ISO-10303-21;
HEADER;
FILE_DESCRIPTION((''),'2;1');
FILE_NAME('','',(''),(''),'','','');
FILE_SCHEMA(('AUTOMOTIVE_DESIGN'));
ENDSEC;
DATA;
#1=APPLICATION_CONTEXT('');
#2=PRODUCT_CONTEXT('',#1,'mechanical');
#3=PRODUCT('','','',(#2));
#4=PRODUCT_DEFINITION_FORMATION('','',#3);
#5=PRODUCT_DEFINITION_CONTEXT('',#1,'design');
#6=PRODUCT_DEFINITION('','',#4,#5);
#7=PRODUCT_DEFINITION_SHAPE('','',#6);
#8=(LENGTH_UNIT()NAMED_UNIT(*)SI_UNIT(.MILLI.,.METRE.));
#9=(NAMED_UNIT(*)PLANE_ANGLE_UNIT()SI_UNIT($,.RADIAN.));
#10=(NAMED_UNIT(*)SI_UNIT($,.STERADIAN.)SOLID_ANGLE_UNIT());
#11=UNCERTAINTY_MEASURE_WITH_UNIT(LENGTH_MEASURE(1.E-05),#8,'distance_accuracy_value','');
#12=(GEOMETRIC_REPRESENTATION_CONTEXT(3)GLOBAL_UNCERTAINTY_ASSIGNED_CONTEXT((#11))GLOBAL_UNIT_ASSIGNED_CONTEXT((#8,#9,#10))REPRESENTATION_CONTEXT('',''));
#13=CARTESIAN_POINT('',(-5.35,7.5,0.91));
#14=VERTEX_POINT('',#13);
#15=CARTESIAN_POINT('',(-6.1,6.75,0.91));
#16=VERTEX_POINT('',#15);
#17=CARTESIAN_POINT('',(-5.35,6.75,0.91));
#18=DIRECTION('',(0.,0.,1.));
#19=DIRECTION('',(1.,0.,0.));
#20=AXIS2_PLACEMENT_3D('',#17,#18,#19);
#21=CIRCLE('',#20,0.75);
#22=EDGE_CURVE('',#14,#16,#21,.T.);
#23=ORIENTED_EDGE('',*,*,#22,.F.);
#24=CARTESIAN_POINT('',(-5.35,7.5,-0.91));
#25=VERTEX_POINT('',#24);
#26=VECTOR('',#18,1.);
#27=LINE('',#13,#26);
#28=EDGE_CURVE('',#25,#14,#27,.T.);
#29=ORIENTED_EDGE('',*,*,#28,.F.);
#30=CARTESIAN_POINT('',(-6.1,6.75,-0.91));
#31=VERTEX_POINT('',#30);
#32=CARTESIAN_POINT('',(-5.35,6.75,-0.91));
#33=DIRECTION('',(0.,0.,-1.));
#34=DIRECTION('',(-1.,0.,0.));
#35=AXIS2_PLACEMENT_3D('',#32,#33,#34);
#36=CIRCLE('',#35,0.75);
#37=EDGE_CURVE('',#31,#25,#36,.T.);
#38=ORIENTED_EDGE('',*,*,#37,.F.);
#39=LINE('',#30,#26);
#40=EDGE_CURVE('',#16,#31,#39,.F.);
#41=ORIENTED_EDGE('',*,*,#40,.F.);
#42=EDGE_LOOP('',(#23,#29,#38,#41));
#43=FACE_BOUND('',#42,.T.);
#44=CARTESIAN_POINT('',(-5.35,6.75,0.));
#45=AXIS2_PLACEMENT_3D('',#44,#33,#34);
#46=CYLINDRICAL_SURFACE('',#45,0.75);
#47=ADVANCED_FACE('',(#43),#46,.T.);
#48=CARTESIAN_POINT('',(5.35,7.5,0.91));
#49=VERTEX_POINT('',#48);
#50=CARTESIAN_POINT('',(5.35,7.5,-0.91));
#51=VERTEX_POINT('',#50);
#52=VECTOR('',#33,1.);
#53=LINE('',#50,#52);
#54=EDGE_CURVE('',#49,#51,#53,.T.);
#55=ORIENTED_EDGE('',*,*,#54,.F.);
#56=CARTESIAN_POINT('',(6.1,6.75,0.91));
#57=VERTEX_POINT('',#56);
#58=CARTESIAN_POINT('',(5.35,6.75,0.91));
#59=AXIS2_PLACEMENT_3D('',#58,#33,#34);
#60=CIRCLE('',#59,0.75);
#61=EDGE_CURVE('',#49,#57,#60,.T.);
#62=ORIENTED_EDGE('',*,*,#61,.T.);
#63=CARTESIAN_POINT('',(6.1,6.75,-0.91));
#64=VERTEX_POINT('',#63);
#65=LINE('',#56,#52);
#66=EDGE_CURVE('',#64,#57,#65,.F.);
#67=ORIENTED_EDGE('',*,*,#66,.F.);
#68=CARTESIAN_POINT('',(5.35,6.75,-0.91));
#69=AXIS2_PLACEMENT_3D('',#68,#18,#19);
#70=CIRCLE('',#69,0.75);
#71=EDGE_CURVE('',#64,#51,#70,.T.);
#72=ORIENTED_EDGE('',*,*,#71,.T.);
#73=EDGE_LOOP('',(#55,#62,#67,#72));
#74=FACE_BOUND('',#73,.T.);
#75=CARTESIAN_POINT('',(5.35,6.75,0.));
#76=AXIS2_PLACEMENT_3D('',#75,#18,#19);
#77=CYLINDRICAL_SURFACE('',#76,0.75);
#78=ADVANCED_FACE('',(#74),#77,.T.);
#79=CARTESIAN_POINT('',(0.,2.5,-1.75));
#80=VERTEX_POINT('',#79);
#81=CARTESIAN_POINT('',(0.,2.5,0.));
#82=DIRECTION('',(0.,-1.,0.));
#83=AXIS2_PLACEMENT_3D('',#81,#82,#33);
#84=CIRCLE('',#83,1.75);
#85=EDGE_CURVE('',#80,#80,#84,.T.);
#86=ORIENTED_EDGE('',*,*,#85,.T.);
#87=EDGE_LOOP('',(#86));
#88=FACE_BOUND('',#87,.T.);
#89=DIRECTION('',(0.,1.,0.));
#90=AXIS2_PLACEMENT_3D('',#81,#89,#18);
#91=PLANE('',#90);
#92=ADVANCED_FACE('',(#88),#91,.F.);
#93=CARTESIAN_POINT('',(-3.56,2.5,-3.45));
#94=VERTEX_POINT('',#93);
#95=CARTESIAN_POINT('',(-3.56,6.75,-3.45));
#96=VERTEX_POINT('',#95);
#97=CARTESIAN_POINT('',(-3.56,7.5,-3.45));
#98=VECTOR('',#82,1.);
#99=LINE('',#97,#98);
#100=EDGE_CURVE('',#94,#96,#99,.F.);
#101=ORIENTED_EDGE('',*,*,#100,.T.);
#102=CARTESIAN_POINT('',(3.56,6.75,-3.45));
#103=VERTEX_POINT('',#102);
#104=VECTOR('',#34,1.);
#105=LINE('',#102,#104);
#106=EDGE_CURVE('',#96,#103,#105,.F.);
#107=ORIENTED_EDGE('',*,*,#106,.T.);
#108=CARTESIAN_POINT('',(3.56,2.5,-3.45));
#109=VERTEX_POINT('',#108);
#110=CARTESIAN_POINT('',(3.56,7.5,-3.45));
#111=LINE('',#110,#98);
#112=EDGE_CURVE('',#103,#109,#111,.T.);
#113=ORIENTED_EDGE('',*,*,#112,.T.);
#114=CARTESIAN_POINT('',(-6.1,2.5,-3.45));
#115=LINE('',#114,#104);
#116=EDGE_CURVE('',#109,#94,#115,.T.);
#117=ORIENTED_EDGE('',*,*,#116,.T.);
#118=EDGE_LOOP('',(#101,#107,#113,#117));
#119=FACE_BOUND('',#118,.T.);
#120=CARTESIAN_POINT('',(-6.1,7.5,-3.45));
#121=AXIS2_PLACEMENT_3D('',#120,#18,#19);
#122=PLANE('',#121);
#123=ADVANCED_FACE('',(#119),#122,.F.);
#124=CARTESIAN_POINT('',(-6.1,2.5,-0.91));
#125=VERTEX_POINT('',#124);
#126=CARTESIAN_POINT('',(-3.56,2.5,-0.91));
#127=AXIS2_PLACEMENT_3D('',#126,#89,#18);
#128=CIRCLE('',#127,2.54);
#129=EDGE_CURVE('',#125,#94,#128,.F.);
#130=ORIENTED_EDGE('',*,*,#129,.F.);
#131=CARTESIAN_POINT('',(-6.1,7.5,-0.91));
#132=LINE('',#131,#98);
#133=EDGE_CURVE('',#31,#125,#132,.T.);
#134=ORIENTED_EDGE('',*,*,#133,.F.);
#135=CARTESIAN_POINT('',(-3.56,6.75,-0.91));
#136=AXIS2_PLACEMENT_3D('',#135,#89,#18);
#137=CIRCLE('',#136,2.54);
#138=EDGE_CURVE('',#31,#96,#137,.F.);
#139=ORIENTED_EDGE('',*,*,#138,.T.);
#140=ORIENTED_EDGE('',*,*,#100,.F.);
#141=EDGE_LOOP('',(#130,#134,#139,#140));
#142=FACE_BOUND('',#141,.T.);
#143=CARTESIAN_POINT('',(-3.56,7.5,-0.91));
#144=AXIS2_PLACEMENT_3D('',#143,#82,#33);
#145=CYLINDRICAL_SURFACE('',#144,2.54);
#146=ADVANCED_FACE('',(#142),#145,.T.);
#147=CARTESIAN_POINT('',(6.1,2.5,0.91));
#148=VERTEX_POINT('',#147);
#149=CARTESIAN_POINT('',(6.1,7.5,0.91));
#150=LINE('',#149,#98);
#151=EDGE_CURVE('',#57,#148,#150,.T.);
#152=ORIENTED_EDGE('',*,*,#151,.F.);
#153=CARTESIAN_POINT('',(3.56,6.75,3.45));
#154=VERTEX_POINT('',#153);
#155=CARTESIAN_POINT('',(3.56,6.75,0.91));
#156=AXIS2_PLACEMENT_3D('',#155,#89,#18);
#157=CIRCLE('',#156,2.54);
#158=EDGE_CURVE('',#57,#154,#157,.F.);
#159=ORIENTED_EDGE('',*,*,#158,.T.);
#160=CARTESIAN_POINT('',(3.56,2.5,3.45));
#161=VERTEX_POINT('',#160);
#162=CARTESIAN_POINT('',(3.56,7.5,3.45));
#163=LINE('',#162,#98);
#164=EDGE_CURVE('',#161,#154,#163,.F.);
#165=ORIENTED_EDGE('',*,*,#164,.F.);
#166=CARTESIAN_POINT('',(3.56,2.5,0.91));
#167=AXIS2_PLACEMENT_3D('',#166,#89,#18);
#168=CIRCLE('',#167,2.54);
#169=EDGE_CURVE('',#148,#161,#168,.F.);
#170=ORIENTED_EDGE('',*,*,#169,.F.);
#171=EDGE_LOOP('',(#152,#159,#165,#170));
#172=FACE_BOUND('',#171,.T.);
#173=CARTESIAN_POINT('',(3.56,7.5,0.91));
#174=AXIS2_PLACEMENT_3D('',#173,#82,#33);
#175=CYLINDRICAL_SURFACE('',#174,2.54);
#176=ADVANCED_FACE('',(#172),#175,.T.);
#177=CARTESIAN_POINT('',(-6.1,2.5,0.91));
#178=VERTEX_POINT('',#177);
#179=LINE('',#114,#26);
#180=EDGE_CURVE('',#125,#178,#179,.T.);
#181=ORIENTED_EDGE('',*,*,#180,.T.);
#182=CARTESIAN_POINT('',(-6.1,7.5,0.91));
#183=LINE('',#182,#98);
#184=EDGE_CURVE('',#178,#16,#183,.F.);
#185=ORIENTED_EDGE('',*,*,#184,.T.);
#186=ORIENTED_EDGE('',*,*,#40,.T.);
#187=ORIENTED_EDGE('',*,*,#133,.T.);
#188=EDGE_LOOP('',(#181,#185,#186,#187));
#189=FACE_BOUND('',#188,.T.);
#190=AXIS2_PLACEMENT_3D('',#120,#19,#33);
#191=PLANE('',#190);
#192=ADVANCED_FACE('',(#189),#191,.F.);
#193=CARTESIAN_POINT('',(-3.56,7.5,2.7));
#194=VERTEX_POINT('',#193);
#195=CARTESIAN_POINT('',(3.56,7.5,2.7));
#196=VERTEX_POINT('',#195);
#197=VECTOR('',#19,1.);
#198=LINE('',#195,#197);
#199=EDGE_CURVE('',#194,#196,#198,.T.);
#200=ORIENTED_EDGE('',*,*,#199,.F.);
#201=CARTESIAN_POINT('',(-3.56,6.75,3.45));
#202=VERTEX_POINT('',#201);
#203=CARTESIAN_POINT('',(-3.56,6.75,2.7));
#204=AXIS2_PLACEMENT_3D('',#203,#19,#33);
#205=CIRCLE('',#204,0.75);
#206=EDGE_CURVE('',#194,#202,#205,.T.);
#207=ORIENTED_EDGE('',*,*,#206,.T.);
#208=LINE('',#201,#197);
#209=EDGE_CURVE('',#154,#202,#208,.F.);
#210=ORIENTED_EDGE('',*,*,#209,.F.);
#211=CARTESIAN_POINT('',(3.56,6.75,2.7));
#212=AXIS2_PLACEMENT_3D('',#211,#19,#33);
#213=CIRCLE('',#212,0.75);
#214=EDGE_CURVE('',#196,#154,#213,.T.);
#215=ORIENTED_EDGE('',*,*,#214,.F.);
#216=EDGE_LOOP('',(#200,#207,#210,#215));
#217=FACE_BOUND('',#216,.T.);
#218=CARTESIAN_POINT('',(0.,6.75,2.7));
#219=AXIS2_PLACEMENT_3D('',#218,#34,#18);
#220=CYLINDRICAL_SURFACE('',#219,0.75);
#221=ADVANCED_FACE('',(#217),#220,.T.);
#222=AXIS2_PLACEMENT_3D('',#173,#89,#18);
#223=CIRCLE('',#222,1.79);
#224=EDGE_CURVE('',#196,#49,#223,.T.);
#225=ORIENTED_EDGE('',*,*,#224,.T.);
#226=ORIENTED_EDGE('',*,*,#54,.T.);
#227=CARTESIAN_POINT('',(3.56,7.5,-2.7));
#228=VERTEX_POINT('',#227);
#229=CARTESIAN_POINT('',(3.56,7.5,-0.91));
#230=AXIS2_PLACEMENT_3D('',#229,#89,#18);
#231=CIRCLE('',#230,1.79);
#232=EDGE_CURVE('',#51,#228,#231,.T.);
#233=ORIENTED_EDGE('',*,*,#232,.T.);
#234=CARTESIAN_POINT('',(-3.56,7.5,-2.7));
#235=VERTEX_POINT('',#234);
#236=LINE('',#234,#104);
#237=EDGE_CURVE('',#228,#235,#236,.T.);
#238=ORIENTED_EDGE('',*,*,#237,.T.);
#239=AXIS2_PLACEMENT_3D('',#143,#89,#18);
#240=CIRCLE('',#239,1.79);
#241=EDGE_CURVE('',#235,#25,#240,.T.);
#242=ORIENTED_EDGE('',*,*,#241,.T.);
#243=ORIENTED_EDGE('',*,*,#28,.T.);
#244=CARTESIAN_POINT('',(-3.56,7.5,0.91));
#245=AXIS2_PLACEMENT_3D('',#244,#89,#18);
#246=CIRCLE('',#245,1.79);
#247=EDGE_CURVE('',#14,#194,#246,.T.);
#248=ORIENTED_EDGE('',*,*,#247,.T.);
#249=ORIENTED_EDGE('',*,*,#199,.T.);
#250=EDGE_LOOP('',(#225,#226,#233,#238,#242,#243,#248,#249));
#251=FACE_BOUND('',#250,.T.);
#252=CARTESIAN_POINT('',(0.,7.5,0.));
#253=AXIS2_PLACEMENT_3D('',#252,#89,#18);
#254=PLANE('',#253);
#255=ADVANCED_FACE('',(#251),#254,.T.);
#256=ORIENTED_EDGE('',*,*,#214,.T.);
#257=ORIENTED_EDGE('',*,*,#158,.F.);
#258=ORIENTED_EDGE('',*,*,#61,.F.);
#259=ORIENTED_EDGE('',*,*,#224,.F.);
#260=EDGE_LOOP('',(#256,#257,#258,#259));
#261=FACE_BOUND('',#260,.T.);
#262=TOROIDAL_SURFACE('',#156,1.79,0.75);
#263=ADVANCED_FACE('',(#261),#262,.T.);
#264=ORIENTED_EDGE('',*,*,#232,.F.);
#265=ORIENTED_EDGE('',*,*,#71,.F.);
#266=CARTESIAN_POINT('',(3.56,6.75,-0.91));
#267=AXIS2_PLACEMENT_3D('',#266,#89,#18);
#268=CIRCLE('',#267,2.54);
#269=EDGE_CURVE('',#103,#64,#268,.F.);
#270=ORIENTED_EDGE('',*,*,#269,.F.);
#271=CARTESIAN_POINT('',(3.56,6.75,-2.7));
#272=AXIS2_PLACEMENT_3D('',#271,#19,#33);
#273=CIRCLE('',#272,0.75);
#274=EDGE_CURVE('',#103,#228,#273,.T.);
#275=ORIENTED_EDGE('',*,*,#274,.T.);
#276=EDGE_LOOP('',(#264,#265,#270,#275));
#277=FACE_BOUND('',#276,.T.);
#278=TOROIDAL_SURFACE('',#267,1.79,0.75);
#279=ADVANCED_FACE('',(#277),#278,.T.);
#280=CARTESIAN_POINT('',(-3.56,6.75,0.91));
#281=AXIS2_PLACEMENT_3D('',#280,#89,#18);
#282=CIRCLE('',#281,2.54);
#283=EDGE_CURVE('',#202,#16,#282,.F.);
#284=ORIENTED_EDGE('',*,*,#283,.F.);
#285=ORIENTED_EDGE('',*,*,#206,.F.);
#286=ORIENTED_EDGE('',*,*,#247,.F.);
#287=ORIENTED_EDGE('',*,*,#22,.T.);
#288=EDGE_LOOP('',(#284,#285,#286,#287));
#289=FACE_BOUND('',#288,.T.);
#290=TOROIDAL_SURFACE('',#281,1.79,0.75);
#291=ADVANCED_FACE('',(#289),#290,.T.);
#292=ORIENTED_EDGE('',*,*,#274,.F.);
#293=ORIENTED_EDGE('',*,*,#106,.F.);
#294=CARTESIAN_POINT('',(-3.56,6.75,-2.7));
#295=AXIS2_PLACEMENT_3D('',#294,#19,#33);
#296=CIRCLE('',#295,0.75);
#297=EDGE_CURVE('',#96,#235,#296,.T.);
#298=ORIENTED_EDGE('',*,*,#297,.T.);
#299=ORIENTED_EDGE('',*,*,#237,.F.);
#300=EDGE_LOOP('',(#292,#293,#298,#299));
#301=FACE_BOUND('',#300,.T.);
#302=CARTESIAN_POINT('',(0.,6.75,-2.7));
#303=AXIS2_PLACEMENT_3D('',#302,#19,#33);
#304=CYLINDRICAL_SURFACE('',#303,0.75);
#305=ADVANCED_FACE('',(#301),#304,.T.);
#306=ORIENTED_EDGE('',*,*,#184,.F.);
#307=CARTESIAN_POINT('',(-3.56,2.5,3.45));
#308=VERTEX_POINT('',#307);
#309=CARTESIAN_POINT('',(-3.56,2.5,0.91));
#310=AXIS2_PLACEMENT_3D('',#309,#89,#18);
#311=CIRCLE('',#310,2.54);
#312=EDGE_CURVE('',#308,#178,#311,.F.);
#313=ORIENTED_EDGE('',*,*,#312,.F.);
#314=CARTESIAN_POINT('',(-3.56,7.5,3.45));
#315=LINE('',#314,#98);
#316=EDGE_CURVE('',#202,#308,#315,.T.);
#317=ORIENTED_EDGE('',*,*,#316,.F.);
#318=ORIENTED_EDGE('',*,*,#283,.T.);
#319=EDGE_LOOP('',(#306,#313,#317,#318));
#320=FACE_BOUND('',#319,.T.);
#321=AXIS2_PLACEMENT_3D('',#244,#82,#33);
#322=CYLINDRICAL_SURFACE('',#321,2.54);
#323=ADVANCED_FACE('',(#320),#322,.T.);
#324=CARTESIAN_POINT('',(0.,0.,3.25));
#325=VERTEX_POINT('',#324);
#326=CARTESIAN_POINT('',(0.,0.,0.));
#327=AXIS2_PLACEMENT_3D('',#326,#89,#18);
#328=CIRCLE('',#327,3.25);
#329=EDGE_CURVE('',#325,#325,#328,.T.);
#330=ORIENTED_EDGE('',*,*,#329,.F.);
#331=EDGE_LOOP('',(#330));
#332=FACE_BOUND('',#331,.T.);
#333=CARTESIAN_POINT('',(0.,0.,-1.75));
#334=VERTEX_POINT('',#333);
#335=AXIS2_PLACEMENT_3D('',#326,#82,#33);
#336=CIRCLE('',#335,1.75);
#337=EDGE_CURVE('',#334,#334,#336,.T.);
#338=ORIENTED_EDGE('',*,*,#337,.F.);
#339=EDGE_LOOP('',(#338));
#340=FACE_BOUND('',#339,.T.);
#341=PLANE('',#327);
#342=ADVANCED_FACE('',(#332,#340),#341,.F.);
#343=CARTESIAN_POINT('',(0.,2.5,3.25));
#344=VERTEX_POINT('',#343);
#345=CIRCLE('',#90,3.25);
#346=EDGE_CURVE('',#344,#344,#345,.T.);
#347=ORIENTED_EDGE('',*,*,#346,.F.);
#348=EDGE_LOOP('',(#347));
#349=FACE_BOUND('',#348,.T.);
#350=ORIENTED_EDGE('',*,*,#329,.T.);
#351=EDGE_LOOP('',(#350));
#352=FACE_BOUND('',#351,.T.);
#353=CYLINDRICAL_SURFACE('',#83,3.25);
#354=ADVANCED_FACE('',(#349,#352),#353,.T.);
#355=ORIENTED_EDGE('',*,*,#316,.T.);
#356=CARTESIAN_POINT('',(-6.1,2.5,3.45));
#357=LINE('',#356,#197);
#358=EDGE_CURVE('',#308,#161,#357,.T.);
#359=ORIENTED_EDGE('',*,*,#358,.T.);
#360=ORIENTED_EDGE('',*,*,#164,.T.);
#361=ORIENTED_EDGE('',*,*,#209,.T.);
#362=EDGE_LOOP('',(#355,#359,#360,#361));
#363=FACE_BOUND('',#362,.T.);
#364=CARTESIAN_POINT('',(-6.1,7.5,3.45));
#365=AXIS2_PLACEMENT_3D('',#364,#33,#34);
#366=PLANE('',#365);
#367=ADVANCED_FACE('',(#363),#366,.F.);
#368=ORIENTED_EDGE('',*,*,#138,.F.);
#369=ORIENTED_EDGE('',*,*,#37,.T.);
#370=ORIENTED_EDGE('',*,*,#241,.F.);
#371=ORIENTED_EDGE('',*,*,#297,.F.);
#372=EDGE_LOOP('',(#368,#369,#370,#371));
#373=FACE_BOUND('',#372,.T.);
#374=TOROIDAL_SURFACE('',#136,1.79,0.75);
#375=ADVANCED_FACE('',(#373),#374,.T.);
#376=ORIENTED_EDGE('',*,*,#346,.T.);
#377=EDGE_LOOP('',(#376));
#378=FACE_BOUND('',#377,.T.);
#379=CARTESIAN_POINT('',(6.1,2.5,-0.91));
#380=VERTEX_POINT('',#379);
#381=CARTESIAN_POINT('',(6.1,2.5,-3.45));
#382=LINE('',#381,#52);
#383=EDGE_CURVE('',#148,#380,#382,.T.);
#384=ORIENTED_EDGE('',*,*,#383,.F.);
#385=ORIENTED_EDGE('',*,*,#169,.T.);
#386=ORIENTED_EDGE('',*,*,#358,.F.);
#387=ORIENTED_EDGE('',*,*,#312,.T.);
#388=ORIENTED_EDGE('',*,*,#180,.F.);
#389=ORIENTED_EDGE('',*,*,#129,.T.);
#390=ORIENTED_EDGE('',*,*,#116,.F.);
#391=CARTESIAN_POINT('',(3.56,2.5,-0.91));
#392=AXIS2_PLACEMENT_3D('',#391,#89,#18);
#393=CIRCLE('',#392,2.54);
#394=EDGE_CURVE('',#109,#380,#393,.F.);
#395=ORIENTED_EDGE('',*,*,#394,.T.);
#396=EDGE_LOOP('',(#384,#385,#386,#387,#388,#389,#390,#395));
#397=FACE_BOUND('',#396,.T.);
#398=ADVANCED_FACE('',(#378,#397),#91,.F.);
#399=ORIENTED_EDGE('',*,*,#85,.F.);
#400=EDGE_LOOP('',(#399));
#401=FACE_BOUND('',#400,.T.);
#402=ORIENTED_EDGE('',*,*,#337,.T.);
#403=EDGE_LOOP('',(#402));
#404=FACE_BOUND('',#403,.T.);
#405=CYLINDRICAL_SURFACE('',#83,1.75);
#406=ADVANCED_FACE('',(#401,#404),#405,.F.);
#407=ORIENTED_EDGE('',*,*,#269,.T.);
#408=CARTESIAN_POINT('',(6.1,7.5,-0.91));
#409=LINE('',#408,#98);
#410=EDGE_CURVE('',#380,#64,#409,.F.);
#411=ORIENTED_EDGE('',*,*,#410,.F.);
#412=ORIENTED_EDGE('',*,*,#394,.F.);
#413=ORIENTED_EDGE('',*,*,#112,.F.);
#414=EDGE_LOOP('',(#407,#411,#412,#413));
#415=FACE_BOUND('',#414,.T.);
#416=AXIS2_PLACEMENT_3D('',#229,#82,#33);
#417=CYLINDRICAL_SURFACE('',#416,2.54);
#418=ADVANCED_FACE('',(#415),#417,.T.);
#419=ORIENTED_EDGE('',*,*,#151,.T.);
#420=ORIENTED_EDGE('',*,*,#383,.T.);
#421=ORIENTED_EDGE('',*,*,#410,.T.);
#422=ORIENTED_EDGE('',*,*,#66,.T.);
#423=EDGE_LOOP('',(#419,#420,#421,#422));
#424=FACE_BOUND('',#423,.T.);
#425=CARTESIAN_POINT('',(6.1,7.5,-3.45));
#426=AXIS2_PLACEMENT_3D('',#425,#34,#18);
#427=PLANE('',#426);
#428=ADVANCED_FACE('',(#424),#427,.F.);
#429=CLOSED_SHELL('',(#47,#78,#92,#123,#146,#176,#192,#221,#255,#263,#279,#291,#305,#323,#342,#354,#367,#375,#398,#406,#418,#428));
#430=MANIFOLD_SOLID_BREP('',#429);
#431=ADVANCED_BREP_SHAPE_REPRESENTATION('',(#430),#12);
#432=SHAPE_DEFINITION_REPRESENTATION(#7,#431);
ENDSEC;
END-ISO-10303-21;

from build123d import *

# Parameters (mm, degrees)
SKETCH1_R           = 3.25
BOSS_EXTRUDE1_DEPTH = 2.5
SKETCH2_R           = 1.75
CUT_EXTRUDE1_DEPTH  = 2.5
SKETCH3_W           = 12.2
SKETCH3_H           = 6.9
BOSS_EXTRUDE2_DEPTH = 5
FILLET1_R           = 2.54
FILLET2_R           = 0.75


with BuildPart() as part:
    # Sketch1 → Boss-Extrude1 (new body)
    with BuildSketch(Plane(origin=(0, 0, 0), x_dir=(1, 0, 0), z_dir=(0, 1, 0))):
        Circle(SKETCH1_R)
    extrude(amount=BOSS_EXTRUDE1_DEPTH)

    # Sketch2 → Cut-Extrude1 (cut)
    with BuildSketch(Plane.XZ):
        Circle(SKETCH2_R)
    extrude(amount=-CUT_EXTRUDE1_DEPTH, mode=Mode.SUBTRACT)

    # Sketch3 → Boss-Extrude2 (add)
    with BuildSketch(Plane(origin=(0, 2.5, 0), x_dir=(1, 0, 0), z_dir=(0, 1, 0))):
        Rectangle(SKETCH3_W, SKETCH3_H)
    extrude(amount=BOSS_EXTRUDE2_DEPTH)

    # Fillet1
    fillet1_edges = [part.edges().sort_by_distance(p)[0] for p in [
        (6.1, 5, 3.45),
        (6.1, 5, -3.45),
        (-6.1, 5, -3.45),
        (-6.1, 5, 3.45),
    ]]
    fillet(fillet1_edges, radius=FILLET1_R)

    # Fillet2
    fillet2_edges = [part.edges().sort_by_distance(p)[0] for p in [
        (-6.1, 7.5, 0),
        (0, 7.5, -3.45),
        (6.1, 7.5, 0),
        (0, 7.5, 3.45),
        (-5.356051224, 7.5, 2.706051224),
        (5.356051224, 7.5, 2.706051224),
        (5.356051224, 7.5, -2.706051224),
        (-5.356051224, 7.5, -2.706051224),
    ]]
    fillet(fillet2_edges, radius=FILLET2_R)


solid = part.part
